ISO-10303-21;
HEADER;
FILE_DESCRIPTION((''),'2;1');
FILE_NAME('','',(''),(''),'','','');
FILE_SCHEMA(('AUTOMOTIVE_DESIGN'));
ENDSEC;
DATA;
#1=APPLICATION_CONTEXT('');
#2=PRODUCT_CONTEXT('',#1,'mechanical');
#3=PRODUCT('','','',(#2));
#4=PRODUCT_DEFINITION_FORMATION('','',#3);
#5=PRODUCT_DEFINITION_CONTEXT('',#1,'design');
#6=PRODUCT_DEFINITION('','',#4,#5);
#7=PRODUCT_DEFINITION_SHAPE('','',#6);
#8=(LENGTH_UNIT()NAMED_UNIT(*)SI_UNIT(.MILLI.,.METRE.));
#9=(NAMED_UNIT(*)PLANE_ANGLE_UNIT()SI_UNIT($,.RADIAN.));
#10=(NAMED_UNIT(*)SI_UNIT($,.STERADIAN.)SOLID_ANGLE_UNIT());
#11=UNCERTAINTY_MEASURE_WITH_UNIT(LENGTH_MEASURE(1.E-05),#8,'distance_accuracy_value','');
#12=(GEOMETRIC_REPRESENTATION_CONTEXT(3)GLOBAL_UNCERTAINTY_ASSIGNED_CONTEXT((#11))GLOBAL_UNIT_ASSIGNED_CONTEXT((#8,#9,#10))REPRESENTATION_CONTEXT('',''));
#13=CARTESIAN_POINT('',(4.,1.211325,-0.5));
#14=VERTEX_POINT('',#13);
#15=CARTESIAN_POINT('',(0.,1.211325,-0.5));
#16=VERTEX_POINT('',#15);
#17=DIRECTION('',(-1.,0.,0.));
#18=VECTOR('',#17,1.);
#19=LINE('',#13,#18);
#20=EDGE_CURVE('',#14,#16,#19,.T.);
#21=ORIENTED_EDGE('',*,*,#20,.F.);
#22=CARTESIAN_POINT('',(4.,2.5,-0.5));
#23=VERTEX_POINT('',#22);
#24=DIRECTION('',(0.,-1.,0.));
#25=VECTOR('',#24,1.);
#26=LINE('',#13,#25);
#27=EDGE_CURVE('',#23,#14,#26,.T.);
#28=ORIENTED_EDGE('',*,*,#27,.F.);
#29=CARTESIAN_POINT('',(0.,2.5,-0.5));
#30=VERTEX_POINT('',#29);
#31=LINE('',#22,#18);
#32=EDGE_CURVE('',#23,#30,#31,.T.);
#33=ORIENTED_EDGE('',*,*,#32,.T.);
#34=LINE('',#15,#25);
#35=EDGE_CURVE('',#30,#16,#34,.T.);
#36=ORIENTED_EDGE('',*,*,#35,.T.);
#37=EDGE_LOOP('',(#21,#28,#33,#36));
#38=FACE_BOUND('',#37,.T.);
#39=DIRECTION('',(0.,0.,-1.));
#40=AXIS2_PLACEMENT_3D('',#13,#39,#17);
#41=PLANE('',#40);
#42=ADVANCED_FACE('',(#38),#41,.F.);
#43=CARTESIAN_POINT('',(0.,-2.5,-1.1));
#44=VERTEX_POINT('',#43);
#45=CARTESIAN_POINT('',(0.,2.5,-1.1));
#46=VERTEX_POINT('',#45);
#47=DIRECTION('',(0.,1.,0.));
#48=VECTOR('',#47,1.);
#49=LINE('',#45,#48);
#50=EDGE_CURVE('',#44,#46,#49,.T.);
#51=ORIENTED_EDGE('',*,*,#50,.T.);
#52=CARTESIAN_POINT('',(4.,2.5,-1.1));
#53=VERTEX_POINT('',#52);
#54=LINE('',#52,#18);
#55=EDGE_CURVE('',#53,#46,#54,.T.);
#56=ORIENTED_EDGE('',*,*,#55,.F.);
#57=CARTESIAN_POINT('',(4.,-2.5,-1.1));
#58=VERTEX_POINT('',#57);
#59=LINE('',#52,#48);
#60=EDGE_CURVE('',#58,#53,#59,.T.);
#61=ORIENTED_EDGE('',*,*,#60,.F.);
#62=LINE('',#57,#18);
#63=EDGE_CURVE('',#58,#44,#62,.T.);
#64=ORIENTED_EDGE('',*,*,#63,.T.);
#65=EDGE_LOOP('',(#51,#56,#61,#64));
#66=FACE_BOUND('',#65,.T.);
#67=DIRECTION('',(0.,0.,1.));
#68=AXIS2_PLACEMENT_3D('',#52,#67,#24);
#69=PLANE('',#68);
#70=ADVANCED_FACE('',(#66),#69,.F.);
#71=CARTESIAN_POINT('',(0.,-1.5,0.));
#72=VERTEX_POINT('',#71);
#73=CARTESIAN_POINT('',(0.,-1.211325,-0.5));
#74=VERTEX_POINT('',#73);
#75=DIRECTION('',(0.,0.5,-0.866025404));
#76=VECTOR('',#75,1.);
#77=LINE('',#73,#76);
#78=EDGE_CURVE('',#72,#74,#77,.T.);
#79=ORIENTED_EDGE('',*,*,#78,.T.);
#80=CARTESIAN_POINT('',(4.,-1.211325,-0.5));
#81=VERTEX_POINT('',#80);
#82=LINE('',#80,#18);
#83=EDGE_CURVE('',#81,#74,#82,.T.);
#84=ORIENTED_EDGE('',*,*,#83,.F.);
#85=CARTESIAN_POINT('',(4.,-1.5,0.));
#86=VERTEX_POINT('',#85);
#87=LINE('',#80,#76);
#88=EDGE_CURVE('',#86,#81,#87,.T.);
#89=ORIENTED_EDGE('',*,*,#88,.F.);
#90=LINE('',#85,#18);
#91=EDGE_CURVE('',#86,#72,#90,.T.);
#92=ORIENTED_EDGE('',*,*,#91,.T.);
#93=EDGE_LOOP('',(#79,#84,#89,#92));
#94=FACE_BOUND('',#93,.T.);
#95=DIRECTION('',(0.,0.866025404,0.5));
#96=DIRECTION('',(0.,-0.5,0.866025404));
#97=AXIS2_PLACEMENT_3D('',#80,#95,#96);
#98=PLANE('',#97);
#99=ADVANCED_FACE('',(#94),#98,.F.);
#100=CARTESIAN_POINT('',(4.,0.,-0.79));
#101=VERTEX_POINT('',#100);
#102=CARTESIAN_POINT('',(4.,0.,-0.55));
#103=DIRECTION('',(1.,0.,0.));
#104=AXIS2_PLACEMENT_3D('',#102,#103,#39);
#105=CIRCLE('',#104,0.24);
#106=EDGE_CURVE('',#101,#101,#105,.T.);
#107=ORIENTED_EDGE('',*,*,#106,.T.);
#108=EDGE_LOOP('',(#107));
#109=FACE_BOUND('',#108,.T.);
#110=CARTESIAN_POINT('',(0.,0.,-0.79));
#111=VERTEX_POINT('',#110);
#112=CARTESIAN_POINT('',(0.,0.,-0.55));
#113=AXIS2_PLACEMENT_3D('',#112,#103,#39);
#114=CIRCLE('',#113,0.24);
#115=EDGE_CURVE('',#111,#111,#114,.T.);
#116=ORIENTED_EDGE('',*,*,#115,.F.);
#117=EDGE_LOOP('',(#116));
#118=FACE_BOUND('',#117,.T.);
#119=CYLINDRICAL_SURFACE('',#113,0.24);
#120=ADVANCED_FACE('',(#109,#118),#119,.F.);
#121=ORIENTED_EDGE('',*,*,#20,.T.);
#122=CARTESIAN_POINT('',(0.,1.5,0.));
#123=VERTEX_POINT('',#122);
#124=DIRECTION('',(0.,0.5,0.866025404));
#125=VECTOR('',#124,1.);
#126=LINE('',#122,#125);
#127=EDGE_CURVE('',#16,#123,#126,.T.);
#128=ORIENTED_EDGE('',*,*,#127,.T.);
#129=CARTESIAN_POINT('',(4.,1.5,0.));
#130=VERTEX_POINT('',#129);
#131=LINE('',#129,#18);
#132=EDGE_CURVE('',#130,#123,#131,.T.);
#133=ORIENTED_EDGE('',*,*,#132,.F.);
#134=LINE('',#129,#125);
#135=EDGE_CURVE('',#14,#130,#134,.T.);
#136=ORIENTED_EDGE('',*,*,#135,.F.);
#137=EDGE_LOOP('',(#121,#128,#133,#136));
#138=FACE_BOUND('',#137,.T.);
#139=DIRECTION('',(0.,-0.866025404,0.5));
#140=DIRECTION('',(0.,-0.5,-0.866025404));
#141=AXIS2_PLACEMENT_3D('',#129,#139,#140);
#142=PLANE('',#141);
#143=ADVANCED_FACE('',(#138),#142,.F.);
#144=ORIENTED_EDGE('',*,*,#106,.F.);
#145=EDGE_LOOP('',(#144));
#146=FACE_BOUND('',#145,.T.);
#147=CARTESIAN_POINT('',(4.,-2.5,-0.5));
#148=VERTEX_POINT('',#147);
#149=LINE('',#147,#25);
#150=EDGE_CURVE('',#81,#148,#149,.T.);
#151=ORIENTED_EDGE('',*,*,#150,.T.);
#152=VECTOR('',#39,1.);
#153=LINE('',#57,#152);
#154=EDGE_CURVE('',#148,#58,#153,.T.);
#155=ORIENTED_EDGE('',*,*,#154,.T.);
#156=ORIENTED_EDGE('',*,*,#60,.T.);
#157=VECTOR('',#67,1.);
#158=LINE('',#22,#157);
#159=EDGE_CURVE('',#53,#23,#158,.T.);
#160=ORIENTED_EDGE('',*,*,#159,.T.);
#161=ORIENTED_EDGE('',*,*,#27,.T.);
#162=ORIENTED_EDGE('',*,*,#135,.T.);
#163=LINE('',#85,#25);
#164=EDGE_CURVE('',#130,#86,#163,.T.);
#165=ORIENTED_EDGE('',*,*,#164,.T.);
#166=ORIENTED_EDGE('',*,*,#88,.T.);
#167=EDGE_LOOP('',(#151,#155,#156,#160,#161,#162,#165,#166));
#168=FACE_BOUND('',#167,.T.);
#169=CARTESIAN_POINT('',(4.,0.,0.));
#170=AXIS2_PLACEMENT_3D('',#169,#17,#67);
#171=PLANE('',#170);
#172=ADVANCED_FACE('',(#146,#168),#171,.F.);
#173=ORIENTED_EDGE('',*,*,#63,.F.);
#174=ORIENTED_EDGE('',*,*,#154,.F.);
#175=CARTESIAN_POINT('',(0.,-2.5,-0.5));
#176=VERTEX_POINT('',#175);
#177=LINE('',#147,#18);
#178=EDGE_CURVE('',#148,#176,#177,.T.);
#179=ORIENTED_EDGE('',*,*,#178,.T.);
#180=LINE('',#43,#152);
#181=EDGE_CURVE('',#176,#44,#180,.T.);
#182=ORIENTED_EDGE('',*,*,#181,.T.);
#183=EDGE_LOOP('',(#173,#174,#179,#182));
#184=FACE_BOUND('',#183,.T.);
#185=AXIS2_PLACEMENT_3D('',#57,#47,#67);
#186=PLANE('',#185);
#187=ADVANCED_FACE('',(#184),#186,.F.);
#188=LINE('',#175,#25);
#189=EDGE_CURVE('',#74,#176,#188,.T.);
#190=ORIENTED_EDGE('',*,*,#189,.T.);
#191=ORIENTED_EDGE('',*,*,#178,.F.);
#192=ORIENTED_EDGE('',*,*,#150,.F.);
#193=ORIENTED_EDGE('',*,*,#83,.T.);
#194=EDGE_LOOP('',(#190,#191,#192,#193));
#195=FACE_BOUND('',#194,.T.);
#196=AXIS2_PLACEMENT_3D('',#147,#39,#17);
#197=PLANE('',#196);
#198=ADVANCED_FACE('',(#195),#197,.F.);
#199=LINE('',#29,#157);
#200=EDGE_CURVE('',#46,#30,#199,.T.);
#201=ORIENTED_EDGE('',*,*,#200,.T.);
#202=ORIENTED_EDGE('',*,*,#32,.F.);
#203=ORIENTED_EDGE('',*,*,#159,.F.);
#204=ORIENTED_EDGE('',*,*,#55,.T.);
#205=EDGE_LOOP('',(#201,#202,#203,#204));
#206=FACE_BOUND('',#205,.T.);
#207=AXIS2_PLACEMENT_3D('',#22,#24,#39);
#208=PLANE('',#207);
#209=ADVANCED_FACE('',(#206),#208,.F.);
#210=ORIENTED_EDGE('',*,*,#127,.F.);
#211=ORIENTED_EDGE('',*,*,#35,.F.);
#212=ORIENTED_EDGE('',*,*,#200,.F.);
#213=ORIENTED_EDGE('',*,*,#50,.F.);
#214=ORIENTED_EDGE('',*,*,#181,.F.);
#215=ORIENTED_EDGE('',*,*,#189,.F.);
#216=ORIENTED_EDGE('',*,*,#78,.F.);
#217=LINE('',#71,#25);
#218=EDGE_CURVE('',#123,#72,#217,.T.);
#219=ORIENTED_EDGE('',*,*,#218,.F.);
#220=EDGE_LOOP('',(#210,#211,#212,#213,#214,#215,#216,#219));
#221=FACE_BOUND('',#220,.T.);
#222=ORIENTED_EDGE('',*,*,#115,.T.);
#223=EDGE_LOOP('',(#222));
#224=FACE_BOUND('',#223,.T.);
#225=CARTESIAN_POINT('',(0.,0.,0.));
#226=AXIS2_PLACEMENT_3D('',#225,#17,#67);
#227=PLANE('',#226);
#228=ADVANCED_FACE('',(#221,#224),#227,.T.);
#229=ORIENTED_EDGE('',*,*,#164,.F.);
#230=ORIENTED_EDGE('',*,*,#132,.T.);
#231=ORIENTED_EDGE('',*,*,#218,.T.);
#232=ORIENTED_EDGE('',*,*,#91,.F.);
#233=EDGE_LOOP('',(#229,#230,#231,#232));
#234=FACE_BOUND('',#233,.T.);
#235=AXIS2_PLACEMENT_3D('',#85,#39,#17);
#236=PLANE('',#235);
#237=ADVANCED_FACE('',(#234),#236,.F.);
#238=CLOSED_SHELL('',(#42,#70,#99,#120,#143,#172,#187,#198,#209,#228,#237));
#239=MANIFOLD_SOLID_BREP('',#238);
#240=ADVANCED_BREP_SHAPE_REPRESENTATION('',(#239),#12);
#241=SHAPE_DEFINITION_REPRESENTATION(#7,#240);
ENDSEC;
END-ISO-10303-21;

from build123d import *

# Parameters (mm, degrees)
BOSS_EXTRUDE1_DEPTH = 4
SKETCH2_R           = 0.24
CUT_EXTRUDE1_DEPTH  = 5.843552415


with BuildPart() as part:
    # Sketch1 → Boss-Extrude1 (new body)
    with BuildSketch(Plane(origin=(0, 0, 0), x_dir=(0, 0, -1), z_dir=(1, 0, 0))):
        Polygon((0, -1.5), (0, 1.5), (0.5, 1.211324865), (0.5, 2.5), (1.1, 2.5), (1.1, -2.5), (0.5, -2.5), (0.5, -1.211324865), align=None)
    extrude(amount=BOSS_EXTRUDE1_DEPTH)

    # Sketch2 → Cut-Extrude1 (cut, through all)
    with BuildSketch(Plane(origin=(4, 0, 0), x_dir=(0, 0, -1), z_dir=(1, 0, 0))):
        with Locations((0.55, 0)):
            Circle(SKETCH2_R)
    extrude(amount=-CUT_EXTRUDE1_DEPTH, mode=Mode.SUBTRACT)


solid = part.part
